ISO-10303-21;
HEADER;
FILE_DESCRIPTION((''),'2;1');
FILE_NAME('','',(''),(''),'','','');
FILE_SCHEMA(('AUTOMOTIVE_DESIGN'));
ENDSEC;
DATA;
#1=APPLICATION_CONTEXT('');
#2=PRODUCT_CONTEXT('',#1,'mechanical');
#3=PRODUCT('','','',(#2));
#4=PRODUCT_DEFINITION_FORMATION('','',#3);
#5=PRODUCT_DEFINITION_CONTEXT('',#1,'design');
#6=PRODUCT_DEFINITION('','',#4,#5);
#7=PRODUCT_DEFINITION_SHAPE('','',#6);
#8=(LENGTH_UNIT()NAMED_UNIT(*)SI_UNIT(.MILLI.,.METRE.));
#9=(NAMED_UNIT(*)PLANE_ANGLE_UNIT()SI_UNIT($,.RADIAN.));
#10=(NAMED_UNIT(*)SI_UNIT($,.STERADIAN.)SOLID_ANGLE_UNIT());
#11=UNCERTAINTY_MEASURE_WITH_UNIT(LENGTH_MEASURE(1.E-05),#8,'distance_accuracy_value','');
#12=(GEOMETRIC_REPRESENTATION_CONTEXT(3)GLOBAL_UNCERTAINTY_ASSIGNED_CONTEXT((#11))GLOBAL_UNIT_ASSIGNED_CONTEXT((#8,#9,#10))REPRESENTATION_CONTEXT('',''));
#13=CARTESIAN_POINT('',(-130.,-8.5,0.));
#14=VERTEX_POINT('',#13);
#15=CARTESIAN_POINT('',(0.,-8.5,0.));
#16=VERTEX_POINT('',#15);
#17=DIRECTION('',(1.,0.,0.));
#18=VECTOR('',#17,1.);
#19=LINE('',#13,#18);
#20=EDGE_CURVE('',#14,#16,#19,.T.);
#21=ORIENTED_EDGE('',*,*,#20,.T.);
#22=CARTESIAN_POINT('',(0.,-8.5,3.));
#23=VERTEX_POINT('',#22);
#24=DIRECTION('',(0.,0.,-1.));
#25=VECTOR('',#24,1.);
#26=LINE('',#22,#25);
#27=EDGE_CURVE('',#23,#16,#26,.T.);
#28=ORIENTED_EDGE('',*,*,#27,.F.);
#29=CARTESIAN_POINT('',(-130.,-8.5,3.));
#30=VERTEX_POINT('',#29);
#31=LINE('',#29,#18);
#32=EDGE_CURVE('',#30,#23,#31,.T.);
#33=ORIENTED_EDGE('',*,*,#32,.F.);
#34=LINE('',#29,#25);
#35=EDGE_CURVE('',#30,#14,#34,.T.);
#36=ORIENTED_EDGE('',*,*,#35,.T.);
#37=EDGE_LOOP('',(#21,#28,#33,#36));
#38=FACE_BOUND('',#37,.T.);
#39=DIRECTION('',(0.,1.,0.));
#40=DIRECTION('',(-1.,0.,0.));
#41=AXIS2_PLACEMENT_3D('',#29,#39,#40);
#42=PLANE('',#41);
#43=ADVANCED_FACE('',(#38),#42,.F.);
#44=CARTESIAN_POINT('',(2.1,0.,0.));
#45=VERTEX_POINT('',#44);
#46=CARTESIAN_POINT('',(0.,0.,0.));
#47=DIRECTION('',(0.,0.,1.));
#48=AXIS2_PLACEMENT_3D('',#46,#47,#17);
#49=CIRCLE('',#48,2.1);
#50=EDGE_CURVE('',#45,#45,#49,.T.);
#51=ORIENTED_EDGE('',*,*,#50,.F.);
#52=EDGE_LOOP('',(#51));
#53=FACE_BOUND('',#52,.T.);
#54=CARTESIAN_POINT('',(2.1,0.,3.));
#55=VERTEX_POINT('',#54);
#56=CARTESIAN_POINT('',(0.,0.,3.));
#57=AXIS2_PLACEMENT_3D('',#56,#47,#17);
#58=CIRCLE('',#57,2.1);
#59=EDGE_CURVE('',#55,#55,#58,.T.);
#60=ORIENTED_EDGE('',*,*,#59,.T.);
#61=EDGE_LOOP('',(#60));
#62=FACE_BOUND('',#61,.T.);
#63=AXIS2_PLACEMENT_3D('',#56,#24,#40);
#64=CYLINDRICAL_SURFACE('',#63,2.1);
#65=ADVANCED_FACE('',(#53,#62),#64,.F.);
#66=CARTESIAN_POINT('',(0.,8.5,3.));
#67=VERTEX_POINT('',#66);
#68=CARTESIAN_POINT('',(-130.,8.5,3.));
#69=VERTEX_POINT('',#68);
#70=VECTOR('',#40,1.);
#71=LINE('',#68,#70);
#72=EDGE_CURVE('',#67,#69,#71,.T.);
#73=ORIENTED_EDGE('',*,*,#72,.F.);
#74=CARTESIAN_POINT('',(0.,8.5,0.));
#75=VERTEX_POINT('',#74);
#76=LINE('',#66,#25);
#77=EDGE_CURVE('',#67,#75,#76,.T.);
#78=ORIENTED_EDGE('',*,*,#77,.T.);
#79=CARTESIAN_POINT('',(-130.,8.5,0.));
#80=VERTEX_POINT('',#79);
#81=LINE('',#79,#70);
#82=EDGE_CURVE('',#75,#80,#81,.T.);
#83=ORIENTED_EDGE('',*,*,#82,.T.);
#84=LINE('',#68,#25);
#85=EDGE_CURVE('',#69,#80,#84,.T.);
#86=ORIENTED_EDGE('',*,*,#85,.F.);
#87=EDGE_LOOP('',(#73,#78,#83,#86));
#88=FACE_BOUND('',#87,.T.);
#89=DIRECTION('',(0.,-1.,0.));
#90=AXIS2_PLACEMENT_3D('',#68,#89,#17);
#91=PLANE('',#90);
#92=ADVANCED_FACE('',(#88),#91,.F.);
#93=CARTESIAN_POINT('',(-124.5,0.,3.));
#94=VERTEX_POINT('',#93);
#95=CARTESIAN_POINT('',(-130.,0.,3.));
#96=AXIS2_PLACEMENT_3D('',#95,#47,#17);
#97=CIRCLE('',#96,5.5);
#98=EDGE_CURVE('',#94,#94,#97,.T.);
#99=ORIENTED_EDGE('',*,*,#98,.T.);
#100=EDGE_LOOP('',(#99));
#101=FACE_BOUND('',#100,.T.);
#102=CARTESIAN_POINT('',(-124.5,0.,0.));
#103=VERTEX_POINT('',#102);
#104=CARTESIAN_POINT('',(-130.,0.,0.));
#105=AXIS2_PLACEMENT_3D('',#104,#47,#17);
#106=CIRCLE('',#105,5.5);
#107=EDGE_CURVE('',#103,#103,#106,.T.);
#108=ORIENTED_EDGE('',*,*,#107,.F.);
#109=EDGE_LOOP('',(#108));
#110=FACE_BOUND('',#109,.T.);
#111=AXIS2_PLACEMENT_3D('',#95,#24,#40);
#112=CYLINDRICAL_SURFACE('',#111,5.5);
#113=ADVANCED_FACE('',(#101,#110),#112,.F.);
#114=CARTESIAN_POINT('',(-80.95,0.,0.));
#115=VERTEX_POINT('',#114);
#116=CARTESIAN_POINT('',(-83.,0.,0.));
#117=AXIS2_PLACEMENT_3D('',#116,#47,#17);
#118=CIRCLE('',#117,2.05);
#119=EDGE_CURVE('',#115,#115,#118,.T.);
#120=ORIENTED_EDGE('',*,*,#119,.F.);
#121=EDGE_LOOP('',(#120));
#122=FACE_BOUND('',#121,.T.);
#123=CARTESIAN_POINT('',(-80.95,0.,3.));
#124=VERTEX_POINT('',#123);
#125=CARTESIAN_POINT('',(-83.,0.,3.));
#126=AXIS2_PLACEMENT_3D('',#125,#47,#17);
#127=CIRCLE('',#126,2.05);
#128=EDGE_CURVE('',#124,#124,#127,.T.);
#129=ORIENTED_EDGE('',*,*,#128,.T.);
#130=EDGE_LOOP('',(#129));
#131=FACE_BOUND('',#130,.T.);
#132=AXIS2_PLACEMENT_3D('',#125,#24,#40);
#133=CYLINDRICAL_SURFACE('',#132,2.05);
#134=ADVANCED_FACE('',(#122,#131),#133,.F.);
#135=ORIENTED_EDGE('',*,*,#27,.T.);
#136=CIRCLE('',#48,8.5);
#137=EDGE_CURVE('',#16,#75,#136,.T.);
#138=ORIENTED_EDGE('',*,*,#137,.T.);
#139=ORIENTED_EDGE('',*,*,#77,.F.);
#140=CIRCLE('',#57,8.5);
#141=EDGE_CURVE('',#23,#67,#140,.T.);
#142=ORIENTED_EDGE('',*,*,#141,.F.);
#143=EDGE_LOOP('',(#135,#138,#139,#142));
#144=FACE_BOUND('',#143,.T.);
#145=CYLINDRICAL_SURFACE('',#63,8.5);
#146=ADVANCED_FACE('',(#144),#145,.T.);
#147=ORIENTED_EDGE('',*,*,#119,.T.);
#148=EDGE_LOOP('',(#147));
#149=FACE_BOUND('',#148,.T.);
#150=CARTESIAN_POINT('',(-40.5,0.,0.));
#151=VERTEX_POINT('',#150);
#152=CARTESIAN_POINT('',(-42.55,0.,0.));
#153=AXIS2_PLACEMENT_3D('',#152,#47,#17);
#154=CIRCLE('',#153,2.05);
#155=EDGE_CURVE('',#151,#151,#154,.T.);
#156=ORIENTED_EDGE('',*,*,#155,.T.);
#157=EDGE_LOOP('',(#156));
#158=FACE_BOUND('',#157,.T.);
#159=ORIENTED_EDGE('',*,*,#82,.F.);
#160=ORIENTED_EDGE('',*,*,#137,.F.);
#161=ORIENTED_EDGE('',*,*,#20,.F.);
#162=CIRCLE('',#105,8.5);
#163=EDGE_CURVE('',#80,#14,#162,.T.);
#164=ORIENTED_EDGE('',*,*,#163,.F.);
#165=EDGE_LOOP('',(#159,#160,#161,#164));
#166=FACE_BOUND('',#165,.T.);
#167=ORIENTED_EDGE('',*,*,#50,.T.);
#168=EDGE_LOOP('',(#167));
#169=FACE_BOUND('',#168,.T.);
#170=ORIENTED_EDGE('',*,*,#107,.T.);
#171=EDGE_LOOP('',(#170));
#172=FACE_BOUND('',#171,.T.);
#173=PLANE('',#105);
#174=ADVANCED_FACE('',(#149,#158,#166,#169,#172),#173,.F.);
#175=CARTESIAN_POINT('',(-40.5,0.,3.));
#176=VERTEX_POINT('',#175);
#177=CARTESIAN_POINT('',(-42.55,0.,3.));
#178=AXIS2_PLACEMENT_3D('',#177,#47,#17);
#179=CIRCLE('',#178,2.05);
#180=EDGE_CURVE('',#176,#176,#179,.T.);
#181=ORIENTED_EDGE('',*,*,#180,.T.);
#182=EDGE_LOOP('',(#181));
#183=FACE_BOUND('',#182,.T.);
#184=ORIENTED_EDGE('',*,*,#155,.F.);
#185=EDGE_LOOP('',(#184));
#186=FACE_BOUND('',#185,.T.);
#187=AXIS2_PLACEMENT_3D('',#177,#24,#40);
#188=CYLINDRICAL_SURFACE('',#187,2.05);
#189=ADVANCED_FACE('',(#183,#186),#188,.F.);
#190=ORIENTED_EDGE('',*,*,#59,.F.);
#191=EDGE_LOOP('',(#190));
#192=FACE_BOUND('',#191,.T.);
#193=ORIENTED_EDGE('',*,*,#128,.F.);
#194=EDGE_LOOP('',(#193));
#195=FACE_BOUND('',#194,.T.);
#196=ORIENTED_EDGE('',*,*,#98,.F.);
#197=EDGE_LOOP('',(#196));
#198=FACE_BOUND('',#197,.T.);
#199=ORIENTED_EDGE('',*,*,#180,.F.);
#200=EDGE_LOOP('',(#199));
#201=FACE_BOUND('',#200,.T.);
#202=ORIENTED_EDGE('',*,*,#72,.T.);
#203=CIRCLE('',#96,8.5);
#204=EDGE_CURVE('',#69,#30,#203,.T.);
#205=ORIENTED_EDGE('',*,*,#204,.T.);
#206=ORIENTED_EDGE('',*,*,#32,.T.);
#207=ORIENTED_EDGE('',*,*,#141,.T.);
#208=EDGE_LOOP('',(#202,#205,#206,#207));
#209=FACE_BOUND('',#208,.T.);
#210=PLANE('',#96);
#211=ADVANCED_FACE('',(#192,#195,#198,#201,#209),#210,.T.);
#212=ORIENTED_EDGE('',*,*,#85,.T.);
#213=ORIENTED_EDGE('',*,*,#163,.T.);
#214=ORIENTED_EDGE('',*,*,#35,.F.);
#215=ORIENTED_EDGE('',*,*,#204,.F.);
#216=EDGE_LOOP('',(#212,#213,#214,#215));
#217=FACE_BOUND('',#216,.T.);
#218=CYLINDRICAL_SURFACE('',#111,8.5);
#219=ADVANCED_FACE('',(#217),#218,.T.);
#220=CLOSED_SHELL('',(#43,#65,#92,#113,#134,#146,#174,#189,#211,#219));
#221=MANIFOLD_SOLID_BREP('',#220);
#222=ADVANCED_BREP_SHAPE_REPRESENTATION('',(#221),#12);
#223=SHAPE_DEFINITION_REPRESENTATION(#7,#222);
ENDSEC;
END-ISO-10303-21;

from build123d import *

# Parameters (mm, degrees)
ESQUISSE1_R        = 2.1
ESQUISSE1_R_2      = 5.5
ESQUISSE1_R_3      = 2.05
BOSS_EXTRU_1_DEPTH = 3


with BuildPart() as part:
    # Esquisse1 → Boss.-Extru.1 (new body)
    with BuildSketch(Plane.XY):
        with BuildLine():
            Line((-130, 8.5), (0, 8.5))
            ThreePointArc((0, 8.5), (8.5, 0), (0, -8.5))
            Line((0, -8.5), (-130, -8.5))
            ThreePointArc((-130, -8.5), (-138.5, 0), (-130, 8.5))
        make_face()
        Circle(ESQUISSE1_R, mode=Mode.SUBTRACT)
        with Locations((-130, 0)):
            Circle(ESQUISSE1_R_2, mode=Mode.SUBTRACT)
        with Locations((-83, 0)):
            Circle(ESQUISSE1_R_3, mode=Mode.SUBTRACT)
        with Locations((-42.55, 0)):
            Circle(ESQUISSE1_R_3, mode=Mode.SUBTRACT)
    extrude(amount=BOSS_EXTRU_1_DEPTH)


solid = part.part
